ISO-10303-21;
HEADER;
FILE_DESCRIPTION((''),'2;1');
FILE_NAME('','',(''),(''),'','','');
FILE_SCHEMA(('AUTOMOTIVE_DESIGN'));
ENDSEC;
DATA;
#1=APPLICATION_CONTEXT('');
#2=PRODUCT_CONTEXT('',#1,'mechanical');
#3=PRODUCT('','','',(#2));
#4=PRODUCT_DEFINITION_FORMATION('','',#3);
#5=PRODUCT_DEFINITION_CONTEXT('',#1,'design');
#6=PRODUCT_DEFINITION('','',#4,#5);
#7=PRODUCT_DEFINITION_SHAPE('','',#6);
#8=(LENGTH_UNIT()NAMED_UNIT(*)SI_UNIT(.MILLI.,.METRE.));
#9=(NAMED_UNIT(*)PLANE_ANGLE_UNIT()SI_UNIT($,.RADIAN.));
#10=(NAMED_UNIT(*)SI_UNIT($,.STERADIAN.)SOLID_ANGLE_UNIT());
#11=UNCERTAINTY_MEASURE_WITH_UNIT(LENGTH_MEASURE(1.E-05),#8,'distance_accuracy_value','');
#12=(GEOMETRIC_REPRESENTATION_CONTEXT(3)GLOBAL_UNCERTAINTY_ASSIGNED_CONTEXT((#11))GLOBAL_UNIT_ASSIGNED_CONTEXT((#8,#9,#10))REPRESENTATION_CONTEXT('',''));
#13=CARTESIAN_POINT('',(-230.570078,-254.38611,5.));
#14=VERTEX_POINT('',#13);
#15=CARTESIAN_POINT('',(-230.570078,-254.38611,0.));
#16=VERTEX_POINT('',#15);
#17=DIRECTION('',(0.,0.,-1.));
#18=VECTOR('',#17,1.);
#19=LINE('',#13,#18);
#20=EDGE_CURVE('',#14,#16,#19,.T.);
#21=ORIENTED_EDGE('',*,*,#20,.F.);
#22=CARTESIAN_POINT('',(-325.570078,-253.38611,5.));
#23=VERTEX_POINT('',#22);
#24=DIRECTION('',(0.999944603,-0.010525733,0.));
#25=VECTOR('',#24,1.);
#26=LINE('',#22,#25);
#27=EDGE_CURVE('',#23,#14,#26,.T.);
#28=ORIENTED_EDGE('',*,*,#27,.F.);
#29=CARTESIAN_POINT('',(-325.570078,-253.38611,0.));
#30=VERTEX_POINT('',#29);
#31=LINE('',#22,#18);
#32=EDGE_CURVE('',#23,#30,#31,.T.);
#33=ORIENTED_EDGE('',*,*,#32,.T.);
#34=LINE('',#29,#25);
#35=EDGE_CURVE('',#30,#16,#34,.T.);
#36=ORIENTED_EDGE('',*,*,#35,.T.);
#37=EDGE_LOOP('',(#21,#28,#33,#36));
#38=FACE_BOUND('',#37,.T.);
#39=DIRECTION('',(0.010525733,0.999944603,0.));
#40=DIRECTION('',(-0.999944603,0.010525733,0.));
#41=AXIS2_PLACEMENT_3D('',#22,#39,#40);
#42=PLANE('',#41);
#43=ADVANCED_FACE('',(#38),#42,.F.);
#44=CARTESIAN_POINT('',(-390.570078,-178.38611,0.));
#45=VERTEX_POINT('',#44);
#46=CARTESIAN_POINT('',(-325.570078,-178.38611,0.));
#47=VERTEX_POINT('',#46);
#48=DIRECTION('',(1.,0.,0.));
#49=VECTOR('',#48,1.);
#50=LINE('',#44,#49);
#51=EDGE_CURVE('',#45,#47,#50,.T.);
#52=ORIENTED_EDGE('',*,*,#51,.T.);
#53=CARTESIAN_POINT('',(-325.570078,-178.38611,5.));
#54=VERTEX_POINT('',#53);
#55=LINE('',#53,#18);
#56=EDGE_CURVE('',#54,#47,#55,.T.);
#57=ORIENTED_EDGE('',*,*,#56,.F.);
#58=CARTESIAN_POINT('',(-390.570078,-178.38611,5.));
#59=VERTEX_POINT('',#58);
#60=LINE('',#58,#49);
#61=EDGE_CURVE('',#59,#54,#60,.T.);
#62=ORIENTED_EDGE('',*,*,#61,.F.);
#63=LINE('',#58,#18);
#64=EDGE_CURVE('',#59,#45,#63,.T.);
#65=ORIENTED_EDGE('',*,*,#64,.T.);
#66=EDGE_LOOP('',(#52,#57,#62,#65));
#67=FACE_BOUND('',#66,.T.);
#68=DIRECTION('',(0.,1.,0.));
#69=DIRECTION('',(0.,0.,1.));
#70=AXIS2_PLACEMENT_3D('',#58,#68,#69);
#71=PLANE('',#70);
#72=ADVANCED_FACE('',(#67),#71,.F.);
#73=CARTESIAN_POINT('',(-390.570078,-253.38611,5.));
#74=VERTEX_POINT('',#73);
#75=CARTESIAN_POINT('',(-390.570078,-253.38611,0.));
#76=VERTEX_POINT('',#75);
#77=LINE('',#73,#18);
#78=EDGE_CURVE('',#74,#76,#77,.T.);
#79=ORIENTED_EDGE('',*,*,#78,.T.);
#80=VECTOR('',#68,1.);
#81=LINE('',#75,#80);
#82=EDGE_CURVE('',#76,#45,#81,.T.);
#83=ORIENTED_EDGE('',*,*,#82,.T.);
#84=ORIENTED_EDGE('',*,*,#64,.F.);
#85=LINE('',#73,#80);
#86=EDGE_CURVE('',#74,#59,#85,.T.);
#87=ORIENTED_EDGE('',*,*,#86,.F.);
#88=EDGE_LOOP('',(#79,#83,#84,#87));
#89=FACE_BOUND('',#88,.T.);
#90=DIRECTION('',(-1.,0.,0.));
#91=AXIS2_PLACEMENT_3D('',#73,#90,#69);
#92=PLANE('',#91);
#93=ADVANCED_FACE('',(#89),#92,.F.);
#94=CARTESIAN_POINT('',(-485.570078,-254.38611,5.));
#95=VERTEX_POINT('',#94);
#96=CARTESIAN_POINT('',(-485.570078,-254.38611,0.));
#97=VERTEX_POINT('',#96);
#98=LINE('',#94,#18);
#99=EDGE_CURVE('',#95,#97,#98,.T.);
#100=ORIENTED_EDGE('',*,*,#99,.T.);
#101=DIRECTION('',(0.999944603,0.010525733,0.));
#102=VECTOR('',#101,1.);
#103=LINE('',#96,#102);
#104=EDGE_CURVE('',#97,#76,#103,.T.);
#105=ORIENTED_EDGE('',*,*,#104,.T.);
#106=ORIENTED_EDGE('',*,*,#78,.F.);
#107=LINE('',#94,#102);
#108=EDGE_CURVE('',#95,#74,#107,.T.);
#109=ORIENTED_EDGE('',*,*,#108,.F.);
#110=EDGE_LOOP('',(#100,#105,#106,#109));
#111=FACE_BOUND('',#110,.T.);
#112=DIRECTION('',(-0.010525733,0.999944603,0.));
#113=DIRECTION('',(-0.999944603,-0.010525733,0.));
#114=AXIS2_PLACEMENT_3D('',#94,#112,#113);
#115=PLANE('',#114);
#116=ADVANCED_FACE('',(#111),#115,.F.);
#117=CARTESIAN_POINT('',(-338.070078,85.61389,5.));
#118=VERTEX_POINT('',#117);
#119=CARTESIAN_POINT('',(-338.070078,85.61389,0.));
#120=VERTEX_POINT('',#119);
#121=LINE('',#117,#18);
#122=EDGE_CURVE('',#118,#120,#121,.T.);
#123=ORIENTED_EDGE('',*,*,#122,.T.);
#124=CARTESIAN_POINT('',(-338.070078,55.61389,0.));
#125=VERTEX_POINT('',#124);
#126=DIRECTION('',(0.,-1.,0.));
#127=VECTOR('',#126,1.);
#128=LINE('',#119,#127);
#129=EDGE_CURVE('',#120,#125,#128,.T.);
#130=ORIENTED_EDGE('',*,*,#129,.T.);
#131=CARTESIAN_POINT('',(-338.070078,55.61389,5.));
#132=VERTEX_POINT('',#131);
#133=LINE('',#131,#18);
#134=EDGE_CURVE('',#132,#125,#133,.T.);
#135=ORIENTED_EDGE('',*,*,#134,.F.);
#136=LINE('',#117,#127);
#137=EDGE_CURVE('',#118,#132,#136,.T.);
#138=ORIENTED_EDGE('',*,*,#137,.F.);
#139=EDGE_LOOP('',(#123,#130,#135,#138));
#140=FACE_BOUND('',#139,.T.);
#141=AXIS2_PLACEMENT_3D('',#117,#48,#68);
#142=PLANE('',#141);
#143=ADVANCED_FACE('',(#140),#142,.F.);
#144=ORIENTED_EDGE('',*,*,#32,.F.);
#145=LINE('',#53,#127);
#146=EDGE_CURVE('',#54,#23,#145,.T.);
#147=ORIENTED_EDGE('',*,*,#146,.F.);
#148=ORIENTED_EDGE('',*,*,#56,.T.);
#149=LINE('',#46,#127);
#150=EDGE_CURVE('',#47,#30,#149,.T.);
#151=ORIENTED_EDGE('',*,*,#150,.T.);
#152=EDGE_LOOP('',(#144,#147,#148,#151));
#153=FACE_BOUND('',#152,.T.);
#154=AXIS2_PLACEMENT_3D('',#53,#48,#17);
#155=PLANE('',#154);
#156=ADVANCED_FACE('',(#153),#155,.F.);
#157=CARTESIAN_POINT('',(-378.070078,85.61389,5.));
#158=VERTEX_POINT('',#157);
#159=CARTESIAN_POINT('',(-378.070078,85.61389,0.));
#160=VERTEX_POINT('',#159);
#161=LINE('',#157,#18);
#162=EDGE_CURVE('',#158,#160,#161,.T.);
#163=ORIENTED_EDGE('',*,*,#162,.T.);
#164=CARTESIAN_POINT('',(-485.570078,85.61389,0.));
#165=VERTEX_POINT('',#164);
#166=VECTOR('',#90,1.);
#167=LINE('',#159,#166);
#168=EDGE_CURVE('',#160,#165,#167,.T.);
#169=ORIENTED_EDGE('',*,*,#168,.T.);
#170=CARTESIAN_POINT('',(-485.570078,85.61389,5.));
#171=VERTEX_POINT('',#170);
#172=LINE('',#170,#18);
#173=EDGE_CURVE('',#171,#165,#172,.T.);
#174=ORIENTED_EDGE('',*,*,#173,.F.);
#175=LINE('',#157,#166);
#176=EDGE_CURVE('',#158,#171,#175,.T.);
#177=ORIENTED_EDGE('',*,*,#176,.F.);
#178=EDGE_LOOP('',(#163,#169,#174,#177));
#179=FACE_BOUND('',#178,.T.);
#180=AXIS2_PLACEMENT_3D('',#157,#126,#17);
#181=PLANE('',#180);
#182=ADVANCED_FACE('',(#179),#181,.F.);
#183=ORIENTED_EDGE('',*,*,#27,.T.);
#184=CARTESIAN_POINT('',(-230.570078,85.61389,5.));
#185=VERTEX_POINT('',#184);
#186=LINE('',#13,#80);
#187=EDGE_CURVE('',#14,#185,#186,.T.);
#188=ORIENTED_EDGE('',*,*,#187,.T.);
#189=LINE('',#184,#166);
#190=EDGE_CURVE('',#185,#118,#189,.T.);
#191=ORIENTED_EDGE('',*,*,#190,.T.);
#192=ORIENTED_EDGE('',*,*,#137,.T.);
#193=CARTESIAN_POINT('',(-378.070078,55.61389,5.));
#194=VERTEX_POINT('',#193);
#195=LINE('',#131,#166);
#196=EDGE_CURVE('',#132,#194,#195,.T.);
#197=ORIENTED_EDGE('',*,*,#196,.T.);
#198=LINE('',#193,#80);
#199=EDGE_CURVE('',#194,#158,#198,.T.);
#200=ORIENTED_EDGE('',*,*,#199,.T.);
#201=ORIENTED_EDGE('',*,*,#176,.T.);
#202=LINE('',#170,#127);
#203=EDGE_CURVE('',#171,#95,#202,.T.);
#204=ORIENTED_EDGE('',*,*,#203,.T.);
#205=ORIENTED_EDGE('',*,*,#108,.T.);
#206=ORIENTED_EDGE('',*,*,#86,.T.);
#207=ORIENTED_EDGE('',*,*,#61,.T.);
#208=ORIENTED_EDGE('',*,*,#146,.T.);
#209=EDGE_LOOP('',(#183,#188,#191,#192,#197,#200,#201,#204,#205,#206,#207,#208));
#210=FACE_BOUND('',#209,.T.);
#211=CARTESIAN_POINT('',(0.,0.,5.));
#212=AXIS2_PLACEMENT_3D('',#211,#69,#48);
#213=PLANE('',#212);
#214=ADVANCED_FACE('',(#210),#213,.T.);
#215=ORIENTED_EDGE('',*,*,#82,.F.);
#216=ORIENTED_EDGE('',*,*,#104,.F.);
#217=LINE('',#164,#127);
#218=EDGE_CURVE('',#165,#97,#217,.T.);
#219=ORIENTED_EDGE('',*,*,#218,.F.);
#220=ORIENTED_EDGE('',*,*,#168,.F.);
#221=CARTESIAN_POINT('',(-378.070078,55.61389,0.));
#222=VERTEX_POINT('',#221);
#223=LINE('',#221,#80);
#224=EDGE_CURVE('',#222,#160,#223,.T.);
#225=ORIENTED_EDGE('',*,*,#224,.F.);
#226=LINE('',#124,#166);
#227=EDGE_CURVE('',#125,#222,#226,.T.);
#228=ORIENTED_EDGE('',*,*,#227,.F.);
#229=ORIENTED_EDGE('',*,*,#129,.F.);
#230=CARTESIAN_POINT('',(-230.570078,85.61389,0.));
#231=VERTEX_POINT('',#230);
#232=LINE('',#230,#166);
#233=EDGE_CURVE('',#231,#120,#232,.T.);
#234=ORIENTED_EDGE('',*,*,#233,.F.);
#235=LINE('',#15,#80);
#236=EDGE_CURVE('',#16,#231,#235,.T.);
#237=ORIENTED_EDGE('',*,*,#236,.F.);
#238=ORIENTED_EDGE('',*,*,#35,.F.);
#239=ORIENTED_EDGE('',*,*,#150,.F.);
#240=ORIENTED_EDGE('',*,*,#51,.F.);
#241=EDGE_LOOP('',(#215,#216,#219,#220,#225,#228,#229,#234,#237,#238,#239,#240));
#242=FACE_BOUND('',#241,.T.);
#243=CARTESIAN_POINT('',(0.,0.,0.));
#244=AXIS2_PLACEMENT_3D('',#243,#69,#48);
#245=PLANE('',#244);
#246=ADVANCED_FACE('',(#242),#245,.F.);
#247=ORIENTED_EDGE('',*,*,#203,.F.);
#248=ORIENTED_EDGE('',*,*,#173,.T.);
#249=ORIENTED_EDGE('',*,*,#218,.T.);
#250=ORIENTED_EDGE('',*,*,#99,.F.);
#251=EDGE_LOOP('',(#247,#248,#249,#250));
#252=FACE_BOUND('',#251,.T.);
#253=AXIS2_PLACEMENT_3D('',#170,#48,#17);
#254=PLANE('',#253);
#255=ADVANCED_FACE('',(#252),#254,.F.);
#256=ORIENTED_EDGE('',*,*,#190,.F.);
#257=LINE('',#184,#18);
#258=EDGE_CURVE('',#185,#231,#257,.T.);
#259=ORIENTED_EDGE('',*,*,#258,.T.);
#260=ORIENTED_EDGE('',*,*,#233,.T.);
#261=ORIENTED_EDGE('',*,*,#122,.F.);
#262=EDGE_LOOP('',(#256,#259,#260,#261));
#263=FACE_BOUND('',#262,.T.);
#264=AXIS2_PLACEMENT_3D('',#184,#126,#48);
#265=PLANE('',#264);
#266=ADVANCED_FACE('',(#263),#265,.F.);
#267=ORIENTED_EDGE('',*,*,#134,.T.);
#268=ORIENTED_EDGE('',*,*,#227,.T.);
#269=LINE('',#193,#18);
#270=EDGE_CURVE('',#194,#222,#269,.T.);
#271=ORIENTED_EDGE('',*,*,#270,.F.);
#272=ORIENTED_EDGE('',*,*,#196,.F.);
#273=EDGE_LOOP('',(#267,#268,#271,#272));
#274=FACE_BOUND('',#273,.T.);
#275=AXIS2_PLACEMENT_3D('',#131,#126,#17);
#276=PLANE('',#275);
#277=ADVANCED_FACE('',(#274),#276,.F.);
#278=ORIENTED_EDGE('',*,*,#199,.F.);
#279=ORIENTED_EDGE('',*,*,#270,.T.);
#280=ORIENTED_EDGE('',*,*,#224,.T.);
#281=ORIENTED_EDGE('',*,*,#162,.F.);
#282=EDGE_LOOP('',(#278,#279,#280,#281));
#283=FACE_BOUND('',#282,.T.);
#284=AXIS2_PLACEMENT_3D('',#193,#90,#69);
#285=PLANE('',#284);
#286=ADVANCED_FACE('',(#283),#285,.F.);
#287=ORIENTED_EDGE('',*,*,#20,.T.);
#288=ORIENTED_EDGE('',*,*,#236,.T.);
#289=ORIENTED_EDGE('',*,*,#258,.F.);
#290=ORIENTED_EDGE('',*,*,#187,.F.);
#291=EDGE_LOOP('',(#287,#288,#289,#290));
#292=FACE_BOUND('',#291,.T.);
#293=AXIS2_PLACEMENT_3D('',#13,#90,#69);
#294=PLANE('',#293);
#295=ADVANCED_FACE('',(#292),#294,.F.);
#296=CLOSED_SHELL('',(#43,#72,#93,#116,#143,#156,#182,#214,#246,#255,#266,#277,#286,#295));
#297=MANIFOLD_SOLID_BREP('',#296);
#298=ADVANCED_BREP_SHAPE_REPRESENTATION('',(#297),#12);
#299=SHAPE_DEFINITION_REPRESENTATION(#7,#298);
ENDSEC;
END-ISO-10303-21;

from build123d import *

# Parameters (mm, degrees)
BOSS_EXTRUDE1_DEPTH = 5


with BuildPart() as part:
    # Sketch1 → Boss-Extrude1 (new body)
    with BuildSketch(Plane.XY):
        Polygon((-485.570077519, -254.386109851), (-390.570077519, -253.386109851), (-390.570077519, -178.386109851), (-325.570077519, -178.386109851), (-325.570077519, -253.386109851), (-230.570077519, -254.386109851), (-230.570077519, 85.613890149), (-338.070077519, 85.613890149), (-338.070077519, 55.613890149), (-378.070077519, 55.613890149), (-378.070077519, 85.613890149), (-485.570077519, 85.613890149), align=None)
    extrude(amount=BOSS_EXTRUDE1_DEPTH)


solid = part.part
